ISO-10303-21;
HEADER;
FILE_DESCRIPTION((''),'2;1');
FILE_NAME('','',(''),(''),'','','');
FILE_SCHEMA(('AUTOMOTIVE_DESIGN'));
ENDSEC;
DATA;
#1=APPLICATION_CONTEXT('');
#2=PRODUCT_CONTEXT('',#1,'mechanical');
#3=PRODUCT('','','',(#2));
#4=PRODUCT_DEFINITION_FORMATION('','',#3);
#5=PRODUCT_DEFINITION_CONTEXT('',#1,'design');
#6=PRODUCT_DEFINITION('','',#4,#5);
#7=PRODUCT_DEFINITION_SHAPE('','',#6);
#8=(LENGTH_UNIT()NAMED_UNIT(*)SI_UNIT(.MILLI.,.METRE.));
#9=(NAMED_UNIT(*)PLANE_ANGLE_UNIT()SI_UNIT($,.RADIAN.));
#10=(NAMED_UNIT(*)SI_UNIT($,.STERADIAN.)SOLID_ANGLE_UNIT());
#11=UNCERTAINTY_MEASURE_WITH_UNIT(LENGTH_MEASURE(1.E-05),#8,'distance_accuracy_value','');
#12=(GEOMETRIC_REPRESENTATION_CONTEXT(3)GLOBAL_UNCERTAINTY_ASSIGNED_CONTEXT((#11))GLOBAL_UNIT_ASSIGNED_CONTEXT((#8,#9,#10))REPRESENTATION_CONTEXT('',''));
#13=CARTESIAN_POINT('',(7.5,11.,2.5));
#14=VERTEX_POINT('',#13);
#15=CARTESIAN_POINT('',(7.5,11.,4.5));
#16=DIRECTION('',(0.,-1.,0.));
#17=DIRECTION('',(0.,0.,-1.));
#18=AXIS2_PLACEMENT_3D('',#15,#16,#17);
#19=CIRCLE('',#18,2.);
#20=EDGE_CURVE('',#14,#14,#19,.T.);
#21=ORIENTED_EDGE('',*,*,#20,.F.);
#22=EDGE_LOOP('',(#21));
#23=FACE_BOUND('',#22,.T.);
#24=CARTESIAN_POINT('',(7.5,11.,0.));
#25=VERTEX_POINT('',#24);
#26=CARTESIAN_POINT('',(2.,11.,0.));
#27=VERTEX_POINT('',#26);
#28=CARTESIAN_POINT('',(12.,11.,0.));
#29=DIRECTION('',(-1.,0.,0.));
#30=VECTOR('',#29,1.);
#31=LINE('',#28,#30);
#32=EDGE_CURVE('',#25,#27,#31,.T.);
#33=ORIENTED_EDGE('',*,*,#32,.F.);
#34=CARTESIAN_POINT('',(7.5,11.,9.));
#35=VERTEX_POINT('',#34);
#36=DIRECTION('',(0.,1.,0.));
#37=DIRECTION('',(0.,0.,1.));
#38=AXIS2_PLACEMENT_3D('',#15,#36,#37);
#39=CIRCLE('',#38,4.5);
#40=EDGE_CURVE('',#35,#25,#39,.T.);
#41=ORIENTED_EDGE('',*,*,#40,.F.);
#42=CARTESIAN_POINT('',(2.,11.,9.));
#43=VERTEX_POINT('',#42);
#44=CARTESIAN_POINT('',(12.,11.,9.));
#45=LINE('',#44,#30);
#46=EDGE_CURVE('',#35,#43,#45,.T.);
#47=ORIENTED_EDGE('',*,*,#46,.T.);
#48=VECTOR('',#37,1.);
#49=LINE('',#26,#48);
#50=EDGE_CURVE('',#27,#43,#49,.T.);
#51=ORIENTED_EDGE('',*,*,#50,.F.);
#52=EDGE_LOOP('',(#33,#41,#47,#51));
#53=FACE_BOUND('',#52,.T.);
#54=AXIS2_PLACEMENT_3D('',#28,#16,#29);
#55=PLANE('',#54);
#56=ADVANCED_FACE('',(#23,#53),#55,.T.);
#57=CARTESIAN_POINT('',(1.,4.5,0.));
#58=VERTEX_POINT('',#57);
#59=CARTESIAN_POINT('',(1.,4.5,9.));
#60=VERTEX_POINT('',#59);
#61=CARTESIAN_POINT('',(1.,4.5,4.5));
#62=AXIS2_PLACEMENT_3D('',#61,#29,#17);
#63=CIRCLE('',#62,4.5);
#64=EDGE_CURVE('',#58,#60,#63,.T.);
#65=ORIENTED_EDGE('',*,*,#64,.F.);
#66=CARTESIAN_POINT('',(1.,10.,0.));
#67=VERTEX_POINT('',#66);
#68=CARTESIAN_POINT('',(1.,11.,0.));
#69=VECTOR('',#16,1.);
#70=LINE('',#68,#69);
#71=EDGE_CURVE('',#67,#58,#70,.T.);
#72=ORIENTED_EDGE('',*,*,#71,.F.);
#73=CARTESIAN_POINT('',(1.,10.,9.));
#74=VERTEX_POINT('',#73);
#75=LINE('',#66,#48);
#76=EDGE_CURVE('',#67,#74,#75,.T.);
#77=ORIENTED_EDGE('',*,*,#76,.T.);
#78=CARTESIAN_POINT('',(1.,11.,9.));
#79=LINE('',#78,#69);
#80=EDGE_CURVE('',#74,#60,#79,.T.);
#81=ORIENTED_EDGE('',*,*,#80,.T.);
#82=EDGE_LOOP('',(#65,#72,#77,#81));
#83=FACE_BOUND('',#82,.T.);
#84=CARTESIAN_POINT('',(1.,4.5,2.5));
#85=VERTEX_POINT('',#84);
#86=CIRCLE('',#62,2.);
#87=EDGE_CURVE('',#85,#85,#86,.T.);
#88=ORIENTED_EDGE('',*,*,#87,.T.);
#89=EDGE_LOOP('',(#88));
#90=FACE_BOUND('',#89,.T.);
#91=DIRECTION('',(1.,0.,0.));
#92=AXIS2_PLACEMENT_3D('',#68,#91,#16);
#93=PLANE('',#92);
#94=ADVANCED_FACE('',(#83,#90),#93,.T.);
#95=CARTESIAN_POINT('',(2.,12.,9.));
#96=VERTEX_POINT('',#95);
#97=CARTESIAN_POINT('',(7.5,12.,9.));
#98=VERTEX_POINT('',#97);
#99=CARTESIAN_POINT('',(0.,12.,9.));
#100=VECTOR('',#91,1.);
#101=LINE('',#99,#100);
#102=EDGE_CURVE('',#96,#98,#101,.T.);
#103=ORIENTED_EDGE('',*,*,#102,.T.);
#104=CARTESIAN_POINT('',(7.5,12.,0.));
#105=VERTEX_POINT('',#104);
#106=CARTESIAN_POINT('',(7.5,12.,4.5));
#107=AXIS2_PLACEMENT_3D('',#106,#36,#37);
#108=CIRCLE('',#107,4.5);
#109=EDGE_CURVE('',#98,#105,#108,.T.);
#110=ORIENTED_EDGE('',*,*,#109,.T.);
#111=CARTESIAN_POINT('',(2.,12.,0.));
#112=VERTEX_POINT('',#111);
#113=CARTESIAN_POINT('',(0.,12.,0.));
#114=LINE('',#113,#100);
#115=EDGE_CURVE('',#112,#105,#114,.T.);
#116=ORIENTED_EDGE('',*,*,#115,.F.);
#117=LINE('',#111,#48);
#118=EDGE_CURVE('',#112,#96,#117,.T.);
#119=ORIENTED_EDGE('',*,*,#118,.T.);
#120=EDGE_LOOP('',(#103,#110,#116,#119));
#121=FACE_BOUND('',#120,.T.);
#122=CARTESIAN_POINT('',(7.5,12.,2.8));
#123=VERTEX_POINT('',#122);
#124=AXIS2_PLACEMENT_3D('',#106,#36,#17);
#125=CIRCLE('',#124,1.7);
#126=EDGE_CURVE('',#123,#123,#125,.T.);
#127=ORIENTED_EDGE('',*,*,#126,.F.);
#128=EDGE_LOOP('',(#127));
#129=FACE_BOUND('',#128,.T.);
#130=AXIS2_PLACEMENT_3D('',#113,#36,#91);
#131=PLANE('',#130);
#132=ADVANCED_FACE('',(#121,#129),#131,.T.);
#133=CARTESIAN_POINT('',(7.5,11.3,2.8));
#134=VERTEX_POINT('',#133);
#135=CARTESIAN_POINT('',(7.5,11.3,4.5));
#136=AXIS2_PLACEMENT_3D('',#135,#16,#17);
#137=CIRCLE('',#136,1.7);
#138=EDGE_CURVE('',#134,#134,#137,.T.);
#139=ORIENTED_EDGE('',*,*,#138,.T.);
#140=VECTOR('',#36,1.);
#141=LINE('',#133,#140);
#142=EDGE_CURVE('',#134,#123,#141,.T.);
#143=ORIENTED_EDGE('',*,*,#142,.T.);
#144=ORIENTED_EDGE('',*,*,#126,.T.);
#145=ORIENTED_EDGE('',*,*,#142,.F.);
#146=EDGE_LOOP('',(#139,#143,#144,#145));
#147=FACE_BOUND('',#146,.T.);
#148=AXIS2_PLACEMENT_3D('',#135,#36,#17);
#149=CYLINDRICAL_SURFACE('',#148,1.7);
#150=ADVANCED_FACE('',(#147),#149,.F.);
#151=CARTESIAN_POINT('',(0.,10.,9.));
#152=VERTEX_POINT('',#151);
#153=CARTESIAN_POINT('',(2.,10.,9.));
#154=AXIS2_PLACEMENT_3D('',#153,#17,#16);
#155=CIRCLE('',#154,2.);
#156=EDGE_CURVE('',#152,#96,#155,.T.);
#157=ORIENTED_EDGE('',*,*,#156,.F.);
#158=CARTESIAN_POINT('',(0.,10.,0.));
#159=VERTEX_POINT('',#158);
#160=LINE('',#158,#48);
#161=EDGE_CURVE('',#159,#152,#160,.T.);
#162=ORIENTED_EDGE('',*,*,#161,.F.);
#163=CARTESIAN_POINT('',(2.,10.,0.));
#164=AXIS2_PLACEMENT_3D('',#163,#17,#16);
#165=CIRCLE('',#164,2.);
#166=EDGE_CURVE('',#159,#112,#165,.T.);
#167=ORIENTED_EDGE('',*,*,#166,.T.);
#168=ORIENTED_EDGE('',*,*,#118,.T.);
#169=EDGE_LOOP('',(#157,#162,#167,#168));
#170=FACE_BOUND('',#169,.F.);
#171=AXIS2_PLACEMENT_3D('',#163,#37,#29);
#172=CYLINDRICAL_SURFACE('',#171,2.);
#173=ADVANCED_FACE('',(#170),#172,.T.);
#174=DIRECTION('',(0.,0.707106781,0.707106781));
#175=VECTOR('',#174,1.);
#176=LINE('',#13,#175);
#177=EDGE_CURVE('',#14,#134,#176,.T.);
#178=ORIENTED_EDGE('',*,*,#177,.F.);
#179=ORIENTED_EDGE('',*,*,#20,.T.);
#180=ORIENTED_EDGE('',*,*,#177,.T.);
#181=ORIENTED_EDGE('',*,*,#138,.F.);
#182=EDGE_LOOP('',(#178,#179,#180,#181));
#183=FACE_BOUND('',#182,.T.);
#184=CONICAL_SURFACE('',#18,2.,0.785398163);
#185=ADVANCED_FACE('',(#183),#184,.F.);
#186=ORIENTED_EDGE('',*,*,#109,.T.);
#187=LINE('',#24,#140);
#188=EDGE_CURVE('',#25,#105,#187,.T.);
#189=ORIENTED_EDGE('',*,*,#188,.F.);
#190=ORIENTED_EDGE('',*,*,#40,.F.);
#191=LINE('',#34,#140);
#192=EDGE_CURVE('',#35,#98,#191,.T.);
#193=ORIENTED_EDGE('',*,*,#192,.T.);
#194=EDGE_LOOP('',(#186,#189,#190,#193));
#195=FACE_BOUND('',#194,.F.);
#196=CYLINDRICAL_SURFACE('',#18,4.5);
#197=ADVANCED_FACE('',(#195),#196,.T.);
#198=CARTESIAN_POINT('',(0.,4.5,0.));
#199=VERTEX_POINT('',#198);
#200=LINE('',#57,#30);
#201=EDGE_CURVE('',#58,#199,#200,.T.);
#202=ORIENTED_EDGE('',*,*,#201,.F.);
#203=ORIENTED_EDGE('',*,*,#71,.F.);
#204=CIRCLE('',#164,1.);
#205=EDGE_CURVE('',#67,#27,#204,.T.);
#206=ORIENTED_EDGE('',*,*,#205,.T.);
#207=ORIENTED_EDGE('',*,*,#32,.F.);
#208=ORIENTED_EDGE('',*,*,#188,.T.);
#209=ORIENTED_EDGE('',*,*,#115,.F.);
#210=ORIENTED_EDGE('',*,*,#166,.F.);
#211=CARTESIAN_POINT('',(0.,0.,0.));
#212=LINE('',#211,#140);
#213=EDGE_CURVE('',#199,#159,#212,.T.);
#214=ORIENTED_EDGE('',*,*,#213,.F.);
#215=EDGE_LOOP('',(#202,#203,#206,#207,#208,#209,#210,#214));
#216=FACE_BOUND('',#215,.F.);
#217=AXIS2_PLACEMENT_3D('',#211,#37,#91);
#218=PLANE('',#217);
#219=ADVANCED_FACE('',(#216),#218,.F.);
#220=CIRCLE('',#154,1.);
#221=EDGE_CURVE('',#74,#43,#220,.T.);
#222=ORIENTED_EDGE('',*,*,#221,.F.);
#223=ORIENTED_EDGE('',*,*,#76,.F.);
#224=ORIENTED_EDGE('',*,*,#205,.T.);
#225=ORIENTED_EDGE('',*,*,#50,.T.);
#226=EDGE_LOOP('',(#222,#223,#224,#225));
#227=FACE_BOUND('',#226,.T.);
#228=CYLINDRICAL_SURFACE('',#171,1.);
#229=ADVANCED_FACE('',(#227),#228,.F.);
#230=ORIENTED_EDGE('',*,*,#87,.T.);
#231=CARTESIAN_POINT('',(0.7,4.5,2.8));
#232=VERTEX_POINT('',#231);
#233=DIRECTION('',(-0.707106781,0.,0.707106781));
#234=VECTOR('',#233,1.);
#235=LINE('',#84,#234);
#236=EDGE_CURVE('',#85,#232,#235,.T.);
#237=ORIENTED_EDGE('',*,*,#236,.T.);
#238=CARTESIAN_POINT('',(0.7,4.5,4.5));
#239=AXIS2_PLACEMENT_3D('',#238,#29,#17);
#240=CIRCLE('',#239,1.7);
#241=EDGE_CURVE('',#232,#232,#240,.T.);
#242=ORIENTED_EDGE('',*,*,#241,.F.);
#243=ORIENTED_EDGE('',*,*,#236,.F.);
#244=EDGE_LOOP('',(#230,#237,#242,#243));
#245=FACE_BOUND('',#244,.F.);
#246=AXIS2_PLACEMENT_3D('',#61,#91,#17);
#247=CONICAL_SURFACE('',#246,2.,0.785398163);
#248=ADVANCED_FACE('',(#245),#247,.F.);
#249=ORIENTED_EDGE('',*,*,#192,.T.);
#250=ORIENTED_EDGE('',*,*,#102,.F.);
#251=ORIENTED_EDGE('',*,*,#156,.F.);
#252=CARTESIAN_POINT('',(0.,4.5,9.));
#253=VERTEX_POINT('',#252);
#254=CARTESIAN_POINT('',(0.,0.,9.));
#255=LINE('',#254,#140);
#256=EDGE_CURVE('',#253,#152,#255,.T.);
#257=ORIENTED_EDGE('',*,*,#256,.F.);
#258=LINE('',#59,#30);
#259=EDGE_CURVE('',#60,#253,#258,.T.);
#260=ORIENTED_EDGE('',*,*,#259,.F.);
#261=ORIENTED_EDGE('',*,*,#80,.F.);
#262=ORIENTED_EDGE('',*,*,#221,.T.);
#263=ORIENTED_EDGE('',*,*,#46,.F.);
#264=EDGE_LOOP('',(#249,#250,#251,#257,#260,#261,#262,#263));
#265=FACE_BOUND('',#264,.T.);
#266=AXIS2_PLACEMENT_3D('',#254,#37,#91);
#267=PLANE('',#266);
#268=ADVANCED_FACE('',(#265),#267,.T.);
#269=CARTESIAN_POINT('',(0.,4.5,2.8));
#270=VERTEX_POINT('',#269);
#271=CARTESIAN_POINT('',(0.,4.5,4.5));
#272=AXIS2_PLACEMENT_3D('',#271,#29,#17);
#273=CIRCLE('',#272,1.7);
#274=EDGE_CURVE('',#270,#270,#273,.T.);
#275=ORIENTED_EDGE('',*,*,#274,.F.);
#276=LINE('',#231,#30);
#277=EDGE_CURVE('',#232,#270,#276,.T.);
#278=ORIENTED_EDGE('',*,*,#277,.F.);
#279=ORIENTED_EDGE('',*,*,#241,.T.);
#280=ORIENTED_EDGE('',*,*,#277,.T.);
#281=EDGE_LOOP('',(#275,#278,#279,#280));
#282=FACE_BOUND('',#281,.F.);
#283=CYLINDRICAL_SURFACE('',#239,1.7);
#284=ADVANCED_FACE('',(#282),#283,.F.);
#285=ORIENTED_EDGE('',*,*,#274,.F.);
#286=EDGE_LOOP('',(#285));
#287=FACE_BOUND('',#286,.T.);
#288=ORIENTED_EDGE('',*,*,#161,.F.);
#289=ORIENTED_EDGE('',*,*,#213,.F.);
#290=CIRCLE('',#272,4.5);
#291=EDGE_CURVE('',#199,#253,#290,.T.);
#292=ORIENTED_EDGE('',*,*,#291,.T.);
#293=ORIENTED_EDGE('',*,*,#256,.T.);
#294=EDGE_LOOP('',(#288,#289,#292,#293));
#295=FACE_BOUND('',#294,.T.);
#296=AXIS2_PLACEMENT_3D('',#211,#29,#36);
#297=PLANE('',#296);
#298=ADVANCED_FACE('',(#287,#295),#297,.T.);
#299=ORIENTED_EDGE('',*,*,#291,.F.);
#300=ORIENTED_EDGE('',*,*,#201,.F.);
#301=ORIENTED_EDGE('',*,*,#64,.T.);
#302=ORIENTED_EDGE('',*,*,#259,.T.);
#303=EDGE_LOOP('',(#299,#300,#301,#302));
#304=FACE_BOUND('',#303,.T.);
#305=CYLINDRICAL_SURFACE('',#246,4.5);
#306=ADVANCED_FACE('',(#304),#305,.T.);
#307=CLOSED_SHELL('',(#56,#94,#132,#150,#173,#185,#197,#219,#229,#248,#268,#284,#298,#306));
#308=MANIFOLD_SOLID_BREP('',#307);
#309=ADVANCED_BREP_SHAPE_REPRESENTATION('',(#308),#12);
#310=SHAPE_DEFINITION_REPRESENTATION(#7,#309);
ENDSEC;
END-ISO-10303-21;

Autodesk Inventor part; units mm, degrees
ref_plane "YZ Plane" through (0, 0, 0) normal (1, 0, 0) x (0, 1, 0)
ref_plane "XZ Plane" through (0, 0, 0) normal (0, 1, 0) x (-1, 0, 0)
sketch "Sketch1" plane through (0, 0, 0) normal (0, 0, 1) x (1, 0, 0)
  line L0 (0, 0) -> (0, 12)
  line L1 (0, 12) -> (12, 12)
  line L2 (12, 12) -> (12, 11)
  line L3 (12, 11) -> (1, 11)
  line L4 (1, 11) -> (1, 0)
  line L5 (1, 0) -> (0, 0)
  dimension "d0" = 12
  dimension "d1" = 12
  dimension "d2" = 1
extrude "Extrusion1" add sketch "Sketch1" along normal blind 9
sketch "Sketch2" plane through (0, 0, 0) normal (-1, 0, 0) x (0, 0, 1)
  line L0 (9, 12) -> (9, 0) projected
  line L1 (0, 12) -> (9, 12) projected
  point P0 (0, 0)
  point P1 (4.5, 6)
  point P2 (9, 6)
  point P3 (4.5, 12)
sketch "Sketch5" plane through (1, 0, 0) normal (1, 0, 0) x (0, 0, -1)
  line L0 (0, 0) -> (0, 11) projected
  line L1 (0, 11) -> (-9, 11) projected
  line L2 (-9, 0) -> (-9, 11) projected
  line L3 (0, 0) -> (-9, 0) projected
  circle A0 centre (-4.5, 4.5) radius 4.5
  point P0 (0, 4.5)
  point P1 (-4.5, 0)
  point P2 (-9, 4.5)
hole "Hole2" at (1, 4.5, 4.5) direction (-1, 0, 0) diameter 3.4 end through all countersink diameter 4 countersink angle 90 clearance for "Flat Head Machine Screw" size "M3" standard "Ansi Metric M Profile"
extrude "Extrusion3" cut sketch "Sketch5" against normal blind 16.002 contours L3 A0 L0 | L3 L2 A0
ref_plane "Work Plane1" through (1, 11, 0) normal (-0.7071, -0.7071, 0) x (0, 0, -1)
mirror "Mirror1" about plane through (1, 11, 0) normal (-0.7071, -0.7071, 0) of "Extrusion3", "Hole2"
fillet "Fillet1" radius 2 1 edges at (0, 12, 4.5)
fillet "Fillet2" radius 1 1 edges at (1, 11, 4.5)
equation "\"d1\" = d0"
properties part number "Angle Bracket"
